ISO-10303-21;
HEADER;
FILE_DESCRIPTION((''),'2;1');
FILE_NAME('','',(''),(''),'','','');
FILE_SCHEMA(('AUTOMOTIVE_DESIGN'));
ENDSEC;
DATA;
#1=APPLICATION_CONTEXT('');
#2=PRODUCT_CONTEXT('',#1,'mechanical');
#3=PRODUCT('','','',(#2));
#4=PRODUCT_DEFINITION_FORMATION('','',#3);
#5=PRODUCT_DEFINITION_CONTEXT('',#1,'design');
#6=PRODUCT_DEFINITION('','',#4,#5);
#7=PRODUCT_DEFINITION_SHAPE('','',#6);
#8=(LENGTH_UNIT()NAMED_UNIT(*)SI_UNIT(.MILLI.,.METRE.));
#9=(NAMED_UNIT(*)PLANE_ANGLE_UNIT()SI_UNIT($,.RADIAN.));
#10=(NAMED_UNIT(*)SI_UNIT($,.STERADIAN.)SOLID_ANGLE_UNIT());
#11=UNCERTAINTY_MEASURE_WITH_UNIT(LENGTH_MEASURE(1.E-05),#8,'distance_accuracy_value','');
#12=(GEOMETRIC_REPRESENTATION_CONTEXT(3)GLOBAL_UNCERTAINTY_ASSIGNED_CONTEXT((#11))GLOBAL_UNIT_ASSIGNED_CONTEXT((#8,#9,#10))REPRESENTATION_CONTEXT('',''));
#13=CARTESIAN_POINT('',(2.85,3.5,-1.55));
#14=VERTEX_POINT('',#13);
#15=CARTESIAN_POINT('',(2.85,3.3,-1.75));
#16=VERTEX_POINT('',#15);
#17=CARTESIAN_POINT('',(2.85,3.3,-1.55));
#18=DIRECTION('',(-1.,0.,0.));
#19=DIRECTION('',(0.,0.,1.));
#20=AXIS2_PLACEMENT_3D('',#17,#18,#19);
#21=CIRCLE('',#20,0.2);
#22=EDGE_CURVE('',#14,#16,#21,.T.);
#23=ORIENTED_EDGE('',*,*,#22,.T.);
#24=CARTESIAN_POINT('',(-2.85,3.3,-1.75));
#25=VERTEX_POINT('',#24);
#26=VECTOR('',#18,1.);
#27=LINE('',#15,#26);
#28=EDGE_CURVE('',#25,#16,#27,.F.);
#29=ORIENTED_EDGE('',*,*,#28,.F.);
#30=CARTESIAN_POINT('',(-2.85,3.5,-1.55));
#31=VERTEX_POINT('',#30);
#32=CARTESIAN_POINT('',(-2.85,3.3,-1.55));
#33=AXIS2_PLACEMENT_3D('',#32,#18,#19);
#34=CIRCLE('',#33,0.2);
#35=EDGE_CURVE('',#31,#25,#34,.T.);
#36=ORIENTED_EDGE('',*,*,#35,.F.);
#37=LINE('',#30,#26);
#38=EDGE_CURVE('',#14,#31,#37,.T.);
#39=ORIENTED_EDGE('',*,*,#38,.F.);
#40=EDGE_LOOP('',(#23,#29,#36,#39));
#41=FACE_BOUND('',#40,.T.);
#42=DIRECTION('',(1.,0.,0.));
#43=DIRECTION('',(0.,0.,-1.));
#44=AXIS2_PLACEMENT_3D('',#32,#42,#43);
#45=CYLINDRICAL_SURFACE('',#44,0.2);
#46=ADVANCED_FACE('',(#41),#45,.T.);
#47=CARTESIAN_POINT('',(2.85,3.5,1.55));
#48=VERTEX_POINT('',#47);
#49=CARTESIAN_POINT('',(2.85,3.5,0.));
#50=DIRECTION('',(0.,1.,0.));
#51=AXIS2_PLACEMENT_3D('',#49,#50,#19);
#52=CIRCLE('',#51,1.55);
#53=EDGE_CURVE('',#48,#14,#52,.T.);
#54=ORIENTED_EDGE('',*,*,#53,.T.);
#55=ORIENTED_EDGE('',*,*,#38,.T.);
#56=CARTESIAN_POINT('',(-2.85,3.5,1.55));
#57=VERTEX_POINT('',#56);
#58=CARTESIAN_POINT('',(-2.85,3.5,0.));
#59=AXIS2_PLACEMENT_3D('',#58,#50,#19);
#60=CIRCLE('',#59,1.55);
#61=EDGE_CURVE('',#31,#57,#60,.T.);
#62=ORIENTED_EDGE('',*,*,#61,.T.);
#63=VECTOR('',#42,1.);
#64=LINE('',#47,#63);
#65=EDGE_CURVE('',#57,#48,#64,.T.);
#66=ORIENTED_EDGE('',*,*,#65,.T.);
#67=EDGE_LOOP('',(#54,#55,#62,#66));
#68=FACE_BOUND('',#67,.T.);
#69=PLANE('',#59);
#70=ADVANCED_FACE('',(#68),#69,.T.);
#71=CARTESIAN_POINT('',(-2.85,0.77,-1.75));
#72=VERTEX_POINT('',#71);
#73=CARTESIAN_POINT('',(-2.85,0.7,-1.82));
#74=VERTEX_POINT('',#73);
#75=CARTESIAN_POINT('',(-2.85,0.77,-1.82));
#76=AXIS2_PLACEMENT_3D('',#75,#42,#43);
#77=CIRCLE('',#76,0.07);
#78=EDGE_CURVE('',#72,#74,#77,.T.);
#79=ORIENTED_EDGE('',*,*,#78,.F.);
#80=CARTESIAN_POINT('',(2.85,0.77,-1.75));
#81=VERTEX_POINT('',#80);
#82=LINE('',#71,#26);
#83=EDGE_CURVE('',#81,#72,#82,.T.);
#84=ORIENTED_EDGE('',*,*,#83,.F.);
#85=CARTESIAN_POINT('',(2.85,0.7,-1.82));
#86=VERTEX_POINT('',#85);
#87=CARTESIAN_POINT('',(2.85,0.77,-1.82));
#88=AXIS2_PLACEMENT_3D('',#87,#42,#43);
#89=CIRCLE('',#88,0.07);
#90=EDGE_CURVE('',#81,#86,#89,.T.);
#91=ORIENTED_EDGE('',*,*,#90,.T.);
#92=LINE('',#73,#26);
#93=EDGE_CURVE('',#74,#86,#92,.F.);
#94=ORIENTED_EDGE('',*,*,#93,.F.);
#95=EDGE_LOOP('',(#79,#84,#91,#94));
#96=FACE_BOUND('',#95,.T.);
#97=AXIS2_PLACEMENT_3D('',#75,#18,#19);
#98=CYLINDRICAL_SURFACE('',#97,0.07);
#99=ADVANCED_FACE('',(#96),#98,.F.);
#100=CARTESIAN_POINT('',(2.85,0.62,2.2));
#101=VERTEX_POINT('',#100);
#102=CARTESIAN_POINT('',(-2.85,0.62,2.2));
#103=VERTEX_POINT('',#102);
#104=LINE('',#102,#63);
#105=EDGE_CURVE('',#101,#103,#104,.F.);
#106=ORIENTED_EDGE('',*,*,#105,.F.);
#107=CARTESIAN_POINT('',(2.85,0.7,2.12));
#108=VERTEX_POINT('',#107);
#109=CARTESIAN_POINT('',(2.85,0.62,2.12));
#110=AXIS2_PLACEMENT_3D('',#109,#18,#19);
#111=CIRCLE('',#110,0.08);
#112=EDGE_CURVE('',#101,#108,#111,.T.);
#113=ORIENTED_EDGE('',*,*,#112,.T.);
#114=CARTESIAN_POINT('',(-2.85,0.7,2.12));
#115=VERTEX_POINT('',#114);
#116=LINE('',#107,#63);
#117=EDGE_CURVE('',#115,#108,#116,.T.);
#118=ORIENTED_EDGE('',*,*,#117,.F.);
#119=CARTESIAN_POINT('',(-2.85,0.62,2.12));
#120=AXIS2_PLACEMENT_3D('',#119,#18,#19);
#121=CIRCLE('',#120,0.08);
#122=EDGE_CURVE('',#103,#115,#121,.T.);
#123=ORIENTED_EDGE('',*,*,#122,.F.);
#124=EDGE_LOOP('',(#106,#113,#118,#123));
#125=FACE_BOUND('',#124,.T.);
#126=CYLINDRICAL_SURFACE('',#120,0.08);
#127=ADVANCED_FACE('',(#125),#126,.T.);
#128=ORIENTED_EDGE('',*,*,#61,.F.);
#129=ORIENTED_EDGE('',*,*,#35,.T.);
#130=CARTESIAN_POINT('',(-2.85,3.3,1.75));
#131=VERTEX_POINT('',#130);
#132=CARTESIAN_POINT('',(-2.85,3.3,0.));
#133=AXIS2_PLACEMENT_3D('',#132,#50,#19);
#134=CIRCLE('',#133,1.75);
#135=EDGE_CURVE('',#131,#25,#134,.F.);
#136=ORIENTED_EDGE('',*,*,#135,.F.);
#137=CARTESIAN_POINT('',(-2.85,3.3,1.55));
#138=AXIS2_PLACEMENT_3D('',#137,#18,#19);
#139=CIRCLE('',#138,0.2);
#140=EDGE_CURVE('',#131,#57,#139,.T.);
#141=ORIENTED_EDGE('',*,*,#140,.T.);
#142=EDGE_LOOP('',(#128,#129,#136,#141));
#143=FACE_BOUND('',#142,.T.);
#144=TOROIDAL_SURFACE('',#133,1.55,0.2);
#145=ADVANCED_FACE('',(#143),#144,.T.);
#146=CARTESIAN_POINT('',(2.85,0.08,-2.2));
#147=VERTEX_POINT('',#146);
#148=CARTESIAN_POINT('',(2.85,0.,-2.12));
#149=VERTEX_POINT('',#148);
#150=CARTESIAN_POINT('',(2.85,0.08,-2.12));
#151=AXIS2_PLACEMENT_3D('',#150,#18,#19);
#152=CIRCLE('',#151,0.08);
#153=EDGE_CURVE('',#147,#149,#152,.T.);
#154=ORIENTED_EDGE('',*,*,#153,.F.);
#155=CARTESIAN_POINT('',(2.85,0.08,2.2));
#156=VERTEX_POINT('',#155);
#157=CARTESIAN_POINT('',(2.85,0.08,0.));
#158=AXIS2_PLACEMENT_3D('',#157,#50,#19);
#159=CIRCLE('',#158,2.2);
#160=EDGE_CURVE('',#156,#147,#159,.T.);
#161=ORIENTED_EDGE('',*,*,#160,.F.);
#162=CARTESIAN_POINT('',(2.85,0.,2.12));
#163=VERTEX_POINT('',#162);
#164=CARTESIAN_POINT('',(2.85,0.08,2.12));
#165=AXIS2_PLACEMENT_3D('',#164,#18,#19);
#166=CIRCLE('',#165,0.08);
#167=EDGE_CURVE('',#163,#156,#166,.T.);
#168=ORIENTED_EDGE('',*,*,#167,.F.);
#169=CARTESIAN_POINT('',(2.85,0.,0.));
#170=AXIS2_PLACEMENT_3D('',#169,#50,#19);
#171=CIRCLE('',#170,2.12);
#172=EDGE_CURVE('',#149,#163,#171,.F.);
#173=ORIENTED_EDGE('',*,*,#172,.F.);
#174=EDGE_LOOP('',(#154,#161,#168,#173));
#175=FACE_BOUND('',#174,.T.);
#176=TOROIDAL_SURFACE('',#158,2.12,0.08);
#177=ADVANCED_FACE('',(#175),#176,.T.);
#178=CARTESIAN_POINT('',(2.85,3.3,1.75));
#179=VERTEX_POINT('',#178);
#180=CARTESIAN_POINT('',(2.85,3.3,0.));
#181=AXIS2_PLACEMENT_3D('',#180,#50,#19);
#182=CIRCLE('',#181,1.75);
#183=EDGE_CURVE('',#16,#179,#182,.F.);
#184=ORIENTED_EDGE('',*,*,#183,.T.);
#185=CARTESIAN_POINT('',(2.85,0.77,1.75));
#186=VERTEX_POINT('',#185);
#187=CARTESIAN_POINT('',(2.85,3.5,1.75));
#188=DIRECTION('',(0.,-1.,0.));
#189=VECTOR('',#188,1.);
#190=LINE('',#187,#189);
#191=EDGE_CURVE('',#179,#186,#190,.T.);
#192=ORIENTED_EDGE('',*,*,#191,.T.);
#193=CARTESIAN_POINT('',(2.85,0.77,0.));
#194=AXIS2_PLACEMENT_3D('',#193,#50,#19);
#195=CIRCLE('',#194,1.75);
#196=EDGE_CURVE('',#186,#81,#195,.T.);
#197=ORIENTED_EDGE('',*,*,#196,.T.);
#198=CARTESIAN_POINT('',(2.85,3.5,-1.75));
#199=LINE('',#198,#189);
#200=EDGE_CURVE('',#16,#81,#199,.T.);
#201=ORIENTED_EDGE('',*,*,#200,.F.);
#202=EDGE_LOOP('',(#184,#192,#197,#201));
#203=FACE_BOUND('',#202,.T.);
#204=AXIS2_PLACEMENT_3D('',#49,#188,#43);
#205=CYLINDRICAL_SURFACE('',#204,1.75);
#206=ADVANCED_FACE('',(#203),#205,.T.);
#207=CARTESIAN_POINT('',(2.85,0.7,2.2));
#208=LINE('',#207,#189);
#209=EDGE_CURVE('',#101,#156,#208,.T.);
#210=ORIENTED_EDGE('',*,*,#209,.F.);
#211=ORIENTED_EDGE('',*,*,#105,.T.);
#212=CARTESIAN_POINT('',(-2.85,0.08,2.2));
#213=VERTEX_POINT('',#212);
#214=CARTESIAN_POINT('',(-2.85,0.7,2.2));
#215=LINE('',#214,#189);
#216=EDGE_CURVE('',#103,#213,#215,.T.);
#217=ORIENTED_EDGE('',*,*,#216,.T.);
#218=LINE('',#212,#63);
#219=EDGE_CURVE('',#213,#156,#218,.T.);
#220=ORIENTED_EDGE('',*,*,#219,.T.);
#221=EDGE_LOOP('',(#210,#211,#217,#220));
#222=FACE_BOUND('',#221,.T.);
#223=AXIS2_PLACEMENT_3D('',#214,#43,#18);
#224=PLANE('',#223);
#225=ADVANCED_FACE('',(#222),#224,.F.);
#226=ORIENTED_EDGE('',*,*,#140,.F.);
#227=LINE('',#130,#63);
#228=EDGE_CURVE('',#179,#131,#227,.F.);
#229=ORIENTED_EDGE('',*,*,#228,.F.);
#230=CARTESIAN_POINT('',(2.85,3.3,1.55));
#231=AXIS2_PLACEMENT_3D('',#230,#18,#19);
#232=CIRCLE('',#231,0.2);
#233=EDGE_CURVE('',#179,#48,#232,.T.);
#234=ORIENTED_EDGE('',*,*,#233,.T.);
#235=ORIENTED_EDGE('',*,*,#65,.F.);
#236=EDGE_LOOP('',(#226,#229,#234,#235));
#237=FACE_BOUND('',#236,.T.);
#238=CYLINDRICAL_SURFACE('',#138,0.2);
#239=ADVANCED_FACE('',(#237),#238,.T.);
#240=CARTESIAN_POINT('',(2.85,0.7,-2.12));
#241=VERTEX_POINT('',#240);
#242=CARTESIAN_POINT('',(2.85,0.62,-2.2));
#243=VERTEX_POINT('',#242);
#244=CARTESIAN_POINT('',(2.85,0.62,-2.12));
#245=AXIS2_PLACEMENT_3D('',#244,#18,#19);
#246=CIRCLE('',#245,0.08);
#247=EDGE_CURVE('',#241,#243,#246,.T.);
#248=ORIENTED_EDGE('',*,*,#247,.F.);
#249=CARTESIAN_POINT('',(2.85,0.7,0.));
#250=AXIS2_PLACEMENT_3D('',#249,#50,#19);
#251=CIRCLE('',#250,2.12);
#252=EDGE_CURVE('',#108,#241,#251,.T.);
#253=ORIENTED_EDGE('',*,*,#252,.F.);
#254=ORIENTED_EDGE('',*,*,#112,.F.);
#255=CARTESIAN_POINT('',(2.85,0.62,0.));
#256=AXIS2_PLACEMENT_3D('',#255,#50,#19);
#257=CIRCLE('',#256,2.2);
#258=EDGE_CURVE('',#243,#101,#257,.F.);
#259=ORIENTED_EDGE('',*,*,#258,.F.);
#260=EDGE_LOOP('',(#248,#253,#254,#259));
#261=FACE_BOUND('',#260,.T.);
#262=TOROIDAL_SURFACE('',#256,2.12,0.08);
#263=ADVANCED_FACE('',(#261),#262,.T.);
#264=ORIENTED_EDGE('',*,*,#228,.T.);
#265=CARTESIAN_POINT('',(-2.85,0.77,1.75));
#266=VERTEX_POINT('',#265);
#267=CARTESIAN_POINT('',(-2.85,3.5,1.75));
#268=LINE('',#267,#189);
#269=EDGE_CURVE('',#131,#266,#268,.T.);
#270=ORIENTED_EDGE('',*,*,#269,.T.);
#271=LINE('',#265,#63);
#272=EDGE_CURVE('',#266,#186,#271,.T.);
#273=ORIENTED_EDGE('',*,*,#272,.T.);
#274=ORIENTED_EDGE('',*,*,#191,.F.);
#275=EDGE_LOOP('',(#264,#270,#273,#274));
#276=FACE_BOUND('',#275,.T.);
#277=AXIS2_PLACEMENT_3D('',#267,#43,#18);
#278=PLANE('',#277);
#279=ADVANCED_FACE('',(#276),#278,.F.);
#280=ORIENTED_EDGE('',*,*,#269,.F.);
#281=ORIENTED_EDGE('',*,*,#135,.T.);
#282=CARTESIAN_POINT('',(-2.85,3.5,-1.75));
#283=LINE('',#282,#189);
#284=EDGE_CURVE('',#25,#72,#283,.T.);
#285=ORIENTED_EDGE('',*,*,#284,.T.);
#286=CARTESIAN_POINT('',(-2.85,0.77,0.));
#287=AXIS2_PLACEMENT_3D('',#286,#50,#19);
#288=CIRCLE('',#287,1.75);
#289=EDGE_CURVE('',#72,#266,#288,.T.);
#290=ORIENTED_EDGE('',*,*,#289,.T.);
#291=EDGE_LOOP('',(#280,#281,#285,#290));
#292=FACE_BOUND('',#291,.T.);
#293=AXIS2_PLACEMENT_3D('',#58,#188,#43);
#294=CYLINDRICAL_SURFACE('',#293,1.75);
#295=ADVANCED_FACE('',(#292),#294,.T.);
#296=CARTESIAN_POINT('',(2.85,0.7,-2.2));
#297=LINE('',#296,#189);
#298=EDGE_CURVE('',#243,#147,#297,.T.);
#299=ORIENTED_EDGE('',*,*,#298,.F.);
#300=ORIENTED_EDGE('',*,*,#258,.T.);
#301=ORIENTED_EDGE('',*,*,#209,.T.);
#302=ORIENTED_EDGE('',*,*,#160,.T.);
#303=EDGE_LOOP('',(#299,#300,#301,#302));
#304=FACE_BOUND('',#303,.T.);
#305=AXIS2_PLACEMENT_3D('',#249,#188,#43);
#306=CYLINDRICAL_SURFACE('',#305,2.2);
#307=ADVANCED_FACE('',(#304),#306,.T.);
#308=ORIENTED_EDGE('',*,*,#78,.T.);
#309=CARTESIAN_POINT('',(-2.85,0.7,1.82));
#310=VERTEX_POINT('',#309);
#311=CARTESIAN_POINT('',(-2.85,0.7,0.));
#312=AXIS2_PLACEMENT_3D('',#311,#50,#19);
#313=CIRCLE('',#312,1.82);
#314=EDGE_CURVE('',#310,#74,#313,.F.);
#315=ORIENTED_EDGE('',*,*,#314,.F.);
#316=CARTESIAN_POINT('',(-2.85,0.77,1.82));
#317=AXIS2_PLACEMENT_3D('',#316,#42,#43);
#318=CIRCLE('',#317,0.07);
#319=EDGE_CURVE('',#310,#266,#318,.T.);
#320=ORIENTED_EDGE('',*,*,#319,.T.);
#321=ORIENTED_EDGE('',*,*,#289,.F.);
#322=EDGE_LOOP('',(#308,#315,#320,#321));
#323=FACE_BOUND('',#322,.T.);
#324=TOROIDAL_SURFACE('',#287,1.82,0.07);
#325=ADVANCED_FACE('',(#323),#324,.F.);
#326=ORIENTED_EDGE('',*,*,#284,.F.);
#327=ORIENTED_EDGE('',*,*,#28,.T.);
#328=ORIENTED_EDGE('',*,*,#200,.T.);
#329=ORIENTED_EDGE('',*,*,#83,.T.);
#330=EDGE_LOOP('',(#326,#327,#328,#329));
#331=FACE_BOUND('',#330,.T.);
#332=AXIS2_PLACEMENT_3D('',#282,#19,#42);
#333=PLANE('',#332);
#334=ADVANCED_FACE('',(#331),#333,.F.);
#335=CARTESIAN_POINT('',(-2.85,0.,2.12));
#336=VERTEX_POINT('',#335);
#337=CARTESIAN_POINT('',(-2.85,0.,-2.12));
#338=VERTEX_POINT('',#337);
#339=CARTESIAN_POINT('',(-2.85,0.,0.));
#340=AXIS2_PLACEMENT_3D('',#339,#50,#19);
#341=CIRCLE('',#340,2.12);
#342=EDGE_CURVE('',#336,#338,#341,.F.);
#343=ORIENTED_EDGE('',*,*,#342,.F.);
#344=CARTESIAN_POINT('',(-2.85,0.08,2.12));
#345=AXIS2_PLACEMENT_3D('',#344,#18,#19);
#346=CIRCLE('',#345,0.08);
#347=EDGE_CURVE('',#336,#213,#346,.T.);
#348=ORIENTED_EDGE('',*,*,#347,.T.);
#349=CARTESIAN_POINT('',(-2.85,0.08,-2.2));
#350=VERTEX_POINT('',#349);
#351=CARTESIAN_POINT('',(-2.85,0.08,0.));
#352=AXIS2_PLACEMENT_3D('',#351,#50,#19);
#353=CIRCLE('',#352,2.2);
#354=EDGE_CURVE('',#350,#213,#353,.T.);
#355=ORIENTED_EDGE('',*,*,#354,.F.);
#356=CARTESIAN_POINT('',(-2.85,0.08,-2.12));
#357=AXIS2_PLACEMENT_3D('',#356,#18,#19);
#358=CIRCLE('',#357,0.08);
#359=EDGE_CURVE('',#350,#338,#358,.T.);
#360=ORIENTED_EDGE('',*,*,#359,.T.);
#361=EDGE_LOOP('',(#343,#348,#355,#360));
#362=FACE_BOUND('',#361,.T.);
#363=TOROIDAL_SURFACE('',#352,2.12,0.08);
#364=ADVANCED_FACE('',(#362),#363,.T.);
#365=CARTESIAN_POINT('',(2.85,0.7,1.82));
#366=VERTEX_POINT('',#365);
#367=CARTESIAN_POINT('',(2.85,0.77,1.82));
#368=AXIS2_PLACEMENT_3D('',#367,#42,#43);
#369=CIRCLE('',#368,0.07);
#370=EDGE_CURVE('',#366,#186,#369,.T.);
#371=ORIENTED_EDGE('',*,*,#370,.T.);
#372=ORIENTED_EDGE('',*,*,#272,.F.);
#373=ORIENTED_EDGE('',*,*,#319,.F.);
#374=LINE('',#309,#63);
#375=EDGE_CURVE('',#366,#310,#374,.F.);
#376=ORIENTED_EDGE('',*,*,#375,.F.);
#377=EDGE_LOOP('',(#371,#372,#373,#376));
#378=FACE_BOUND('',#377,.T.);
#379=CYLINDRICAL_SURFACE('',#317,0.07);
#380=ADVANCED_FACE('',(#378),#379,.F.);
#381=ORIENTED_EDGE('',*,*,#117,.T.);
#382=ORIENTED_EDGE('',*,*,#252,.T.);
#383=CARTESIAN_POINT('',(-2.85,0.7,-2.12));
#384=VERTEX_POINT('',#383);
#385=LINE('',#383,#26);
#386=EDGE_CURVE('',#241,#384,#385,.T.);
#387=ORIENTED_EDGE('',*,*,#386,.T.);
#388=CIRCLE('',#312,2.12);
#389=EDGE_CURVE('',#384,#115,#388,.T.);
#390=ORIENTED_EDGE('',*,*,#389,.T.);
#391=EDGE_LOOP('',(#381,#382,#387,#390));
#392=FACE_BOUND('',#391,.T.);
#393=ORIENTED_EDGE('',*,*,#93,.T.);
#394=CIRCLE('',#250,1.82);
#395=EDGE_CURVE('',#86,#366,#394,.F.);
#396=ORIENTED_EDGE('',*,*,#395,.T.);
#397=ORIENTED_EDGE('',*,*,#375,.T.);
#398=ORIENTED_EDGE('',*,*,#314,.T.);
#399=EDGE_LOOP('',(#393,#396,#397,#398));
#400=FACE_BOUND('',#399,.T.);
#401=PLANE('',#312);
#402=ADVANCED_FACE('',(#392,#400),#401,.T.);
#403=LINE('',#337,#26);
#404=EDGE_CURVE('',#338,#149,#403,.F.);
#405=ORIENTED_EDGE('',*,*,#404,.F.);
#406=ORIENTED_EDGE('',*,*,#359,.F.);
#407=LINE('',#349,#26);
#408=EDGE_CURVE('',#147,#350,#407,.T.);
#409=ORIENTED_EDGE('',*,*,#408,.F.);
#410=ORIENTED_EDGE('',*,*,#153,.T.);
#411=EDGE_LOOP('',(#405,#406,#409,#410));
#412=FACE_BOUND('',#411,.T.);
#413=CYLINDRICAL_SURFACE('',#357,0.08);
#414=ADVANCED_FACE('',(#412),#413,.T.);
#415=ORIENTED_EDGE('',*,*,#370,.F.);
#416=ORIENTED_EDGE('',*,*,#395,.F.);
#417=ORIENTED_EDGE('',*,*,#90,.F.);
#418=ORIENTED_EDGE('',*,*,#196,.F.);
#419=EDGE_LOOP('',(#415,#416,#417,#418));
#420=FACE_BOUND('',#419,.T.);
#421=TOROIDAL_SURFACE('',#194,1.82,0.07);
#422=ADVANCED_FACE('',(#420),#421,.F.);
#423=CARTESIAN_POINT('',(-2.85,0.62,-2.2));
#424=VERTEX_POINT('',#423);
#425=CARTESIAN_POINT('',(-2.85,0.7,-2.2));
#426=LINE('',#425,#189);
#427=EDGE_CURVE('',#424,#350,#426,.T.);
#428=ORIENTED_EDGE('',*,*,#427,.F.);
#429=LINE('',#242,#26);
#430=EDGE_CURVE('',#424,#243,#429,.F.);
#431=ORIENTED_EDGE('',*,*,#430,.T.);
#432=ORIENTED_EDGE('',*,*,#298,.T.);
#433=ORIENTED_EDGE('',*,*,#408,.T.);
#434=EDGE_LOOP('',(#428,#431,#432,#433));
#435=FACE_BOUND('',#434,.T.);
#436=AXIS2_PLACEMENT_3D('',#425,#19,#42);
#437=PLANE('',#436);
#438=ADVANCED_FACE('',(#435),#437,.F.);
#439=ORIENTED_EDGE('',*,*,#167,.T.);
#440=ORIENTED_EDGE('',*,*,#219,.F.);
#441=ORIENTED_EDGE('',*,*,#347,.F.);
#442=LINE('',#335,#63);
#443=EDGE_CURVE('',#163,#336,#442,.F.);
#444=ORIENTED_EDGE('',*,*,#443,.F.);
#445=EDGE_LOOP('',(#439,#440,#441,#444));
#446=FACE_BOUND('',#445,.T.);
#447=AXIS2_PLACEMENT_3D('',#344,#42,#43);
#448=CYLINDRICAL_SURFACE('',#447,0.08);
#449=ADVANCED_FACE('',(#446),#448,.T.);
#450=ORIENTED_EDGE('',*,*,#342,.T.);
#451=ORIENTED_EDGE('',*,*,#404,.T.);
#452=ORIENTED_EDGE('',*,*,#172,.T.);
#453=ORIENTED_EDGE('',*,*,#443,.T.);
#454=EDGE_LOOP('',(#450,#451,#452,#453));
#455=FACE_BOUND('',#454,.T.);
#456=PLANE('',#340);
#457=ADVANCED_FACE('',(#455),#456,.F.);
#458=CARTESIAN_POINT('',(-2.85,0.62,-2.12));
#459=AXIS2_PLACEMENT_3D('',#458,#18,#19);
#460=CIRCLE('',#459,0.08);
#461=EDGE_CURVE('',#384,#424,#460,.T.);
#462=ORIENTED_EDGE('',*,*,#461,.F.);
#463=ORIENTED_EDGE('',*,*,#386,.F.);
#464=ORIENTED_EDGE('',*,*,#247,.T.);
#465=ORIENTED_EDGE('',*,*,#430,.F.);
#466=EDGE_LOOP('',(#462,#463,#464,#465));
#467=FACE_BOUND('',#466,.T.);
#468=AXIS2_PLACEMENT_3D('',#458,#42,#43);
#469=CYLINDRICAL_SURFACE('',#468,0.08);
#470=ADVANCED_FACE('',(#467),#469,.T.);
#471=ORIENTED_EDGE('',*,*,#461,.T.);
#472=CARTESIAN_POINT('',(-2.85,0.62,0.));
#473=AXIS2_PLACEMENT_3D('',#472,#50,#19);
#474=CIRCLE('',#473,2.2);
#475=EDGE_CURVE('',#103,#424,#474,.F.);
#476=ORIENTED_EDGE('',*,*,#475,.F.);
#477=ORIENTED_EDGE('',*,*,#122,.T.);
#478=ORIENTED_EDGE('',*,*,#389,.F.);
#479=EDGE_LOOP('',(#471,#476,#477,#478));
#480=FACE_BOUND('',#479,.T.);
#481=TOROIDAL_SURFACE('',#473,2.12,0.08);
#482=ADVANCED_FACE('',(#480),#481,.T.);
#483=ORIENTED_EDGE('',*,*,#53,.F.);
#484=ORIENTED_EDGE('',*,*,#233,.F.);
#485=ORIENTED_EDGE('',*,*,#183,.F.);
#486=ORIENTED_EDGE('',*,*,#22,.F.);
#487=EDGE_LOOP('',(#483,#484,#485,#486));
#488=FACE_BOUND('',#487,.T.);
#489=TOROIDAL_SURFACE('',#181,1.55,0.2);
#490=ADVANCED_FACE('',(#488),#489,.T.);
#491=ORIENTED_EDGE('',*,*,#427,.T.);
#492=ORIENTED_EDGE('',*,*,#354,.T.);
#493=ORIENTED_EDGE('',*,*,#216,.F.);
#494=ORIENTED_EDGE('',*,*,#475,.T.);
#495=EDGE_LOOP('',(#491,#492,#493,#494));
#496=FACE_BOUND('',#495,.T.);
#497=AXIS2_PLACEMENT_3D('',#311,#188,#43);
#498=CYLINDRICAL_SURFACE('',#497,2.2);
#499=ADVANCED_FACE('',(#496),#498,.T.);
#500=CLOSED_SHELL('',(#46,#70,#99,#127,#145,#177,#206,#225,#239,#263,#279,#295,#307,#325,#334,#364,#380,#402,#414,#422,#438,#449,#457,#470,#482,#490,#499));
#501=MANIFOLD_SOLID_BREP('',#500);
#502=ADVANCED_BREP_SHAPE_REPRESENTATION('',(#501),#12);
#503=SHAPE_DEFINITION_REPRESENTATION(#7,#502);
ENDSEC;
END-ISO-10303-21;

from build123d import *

# Parameters (mm, degrees)
BOSS_EXTRUDE1_DEPTH = 0.7
BOSS_EXTRUDE2_DEPTH = 2.8
FILLET1_R           = 0.2
FILLET2_R           = 0.08
FILLET3_R           = 0.07


with BuildPart() as part:
    # Sketch1 → Boss-Extrude1 (new body)
    with BuildSketch(Plane(origin=(0, 0, 0), x_dir=(1, 0, 0), z_dir=(0, 1, 0))):
        with BuildLine():
            Line((-2.85, 2.2), (2.85, 2.2))
            ThreePointArc((2.85, 2.2), (5.05, 0), (2.85, -2.2))
            Line((2.85, -2.2), (-2.85, -2.2))
            ThreePointArc((-2.85, -2.2), (-5.05, 0), (-2.85, 2.2))
        make_face()
    extrude(amount=BOSS_EXTRUDE1_DEPTH)

    # Sketch2 → Boss-Extrude2 (add)
    with BuildSketch(Plane(origin=(0, 0.7, 0), x_dir=(1, 0, 0), z_dir=(0, 1, 0))):
        with BuildLine():
            Line((-2.85, 1.75), (2.85, 1.75))
            ThreePointArc((2.85, 1.75), (4.6, 0), (2.85, -1.75))
            Line((2.85, -1.75), (-2.85, -1.75))
            ThreePointArc((-2.85, -1.75), (-4.6, 0), (-2.85, 1.75))
        make_face()
    extrude(amount=BOSS_EXTRUDE2_DEPTH)

    # Fillet1
    fillet1_edges = [part.edges().sort_by_distance(p)[0] for p in [
        (-4.6, 3.5, 0),
        (0, 3.5, 1.75),
        (4.6, 3.5, 0),
        (0, 3.5, -1.75),
    ]]
    fillet(fillet1_edges, radius=FILLET1_R)

    # Fillet2
    fillet2_edges = [part.edges().sort_by_distance(p)[0] for p in [
        (5.05, 0.7, 0),
        (0, 0.7, -2.2),
        (-5.05, 0.7, 0),
        (0, 0, -2.2),
        (5.05, 0, 0),
        (0, 0, 2.2),
        (-5.05, 0, 0),
        (0, 0.7, 2.2),
    ]]
    fillet(fillet2_edges, radius=FILLET2_R)

    # Fillet3
    fillet3_edges = [part.edges().sort_by_distance(p)[0] for p in [
        (-4.6, 0.7, 0),
        (0, 0.7, 1.75),
        (4.6, 0.7, 0),
        (0, 0.7, -1.75),
    ]]
    fillet(fillet3_edges, radius=FILLET3_R)


solid = part.part
